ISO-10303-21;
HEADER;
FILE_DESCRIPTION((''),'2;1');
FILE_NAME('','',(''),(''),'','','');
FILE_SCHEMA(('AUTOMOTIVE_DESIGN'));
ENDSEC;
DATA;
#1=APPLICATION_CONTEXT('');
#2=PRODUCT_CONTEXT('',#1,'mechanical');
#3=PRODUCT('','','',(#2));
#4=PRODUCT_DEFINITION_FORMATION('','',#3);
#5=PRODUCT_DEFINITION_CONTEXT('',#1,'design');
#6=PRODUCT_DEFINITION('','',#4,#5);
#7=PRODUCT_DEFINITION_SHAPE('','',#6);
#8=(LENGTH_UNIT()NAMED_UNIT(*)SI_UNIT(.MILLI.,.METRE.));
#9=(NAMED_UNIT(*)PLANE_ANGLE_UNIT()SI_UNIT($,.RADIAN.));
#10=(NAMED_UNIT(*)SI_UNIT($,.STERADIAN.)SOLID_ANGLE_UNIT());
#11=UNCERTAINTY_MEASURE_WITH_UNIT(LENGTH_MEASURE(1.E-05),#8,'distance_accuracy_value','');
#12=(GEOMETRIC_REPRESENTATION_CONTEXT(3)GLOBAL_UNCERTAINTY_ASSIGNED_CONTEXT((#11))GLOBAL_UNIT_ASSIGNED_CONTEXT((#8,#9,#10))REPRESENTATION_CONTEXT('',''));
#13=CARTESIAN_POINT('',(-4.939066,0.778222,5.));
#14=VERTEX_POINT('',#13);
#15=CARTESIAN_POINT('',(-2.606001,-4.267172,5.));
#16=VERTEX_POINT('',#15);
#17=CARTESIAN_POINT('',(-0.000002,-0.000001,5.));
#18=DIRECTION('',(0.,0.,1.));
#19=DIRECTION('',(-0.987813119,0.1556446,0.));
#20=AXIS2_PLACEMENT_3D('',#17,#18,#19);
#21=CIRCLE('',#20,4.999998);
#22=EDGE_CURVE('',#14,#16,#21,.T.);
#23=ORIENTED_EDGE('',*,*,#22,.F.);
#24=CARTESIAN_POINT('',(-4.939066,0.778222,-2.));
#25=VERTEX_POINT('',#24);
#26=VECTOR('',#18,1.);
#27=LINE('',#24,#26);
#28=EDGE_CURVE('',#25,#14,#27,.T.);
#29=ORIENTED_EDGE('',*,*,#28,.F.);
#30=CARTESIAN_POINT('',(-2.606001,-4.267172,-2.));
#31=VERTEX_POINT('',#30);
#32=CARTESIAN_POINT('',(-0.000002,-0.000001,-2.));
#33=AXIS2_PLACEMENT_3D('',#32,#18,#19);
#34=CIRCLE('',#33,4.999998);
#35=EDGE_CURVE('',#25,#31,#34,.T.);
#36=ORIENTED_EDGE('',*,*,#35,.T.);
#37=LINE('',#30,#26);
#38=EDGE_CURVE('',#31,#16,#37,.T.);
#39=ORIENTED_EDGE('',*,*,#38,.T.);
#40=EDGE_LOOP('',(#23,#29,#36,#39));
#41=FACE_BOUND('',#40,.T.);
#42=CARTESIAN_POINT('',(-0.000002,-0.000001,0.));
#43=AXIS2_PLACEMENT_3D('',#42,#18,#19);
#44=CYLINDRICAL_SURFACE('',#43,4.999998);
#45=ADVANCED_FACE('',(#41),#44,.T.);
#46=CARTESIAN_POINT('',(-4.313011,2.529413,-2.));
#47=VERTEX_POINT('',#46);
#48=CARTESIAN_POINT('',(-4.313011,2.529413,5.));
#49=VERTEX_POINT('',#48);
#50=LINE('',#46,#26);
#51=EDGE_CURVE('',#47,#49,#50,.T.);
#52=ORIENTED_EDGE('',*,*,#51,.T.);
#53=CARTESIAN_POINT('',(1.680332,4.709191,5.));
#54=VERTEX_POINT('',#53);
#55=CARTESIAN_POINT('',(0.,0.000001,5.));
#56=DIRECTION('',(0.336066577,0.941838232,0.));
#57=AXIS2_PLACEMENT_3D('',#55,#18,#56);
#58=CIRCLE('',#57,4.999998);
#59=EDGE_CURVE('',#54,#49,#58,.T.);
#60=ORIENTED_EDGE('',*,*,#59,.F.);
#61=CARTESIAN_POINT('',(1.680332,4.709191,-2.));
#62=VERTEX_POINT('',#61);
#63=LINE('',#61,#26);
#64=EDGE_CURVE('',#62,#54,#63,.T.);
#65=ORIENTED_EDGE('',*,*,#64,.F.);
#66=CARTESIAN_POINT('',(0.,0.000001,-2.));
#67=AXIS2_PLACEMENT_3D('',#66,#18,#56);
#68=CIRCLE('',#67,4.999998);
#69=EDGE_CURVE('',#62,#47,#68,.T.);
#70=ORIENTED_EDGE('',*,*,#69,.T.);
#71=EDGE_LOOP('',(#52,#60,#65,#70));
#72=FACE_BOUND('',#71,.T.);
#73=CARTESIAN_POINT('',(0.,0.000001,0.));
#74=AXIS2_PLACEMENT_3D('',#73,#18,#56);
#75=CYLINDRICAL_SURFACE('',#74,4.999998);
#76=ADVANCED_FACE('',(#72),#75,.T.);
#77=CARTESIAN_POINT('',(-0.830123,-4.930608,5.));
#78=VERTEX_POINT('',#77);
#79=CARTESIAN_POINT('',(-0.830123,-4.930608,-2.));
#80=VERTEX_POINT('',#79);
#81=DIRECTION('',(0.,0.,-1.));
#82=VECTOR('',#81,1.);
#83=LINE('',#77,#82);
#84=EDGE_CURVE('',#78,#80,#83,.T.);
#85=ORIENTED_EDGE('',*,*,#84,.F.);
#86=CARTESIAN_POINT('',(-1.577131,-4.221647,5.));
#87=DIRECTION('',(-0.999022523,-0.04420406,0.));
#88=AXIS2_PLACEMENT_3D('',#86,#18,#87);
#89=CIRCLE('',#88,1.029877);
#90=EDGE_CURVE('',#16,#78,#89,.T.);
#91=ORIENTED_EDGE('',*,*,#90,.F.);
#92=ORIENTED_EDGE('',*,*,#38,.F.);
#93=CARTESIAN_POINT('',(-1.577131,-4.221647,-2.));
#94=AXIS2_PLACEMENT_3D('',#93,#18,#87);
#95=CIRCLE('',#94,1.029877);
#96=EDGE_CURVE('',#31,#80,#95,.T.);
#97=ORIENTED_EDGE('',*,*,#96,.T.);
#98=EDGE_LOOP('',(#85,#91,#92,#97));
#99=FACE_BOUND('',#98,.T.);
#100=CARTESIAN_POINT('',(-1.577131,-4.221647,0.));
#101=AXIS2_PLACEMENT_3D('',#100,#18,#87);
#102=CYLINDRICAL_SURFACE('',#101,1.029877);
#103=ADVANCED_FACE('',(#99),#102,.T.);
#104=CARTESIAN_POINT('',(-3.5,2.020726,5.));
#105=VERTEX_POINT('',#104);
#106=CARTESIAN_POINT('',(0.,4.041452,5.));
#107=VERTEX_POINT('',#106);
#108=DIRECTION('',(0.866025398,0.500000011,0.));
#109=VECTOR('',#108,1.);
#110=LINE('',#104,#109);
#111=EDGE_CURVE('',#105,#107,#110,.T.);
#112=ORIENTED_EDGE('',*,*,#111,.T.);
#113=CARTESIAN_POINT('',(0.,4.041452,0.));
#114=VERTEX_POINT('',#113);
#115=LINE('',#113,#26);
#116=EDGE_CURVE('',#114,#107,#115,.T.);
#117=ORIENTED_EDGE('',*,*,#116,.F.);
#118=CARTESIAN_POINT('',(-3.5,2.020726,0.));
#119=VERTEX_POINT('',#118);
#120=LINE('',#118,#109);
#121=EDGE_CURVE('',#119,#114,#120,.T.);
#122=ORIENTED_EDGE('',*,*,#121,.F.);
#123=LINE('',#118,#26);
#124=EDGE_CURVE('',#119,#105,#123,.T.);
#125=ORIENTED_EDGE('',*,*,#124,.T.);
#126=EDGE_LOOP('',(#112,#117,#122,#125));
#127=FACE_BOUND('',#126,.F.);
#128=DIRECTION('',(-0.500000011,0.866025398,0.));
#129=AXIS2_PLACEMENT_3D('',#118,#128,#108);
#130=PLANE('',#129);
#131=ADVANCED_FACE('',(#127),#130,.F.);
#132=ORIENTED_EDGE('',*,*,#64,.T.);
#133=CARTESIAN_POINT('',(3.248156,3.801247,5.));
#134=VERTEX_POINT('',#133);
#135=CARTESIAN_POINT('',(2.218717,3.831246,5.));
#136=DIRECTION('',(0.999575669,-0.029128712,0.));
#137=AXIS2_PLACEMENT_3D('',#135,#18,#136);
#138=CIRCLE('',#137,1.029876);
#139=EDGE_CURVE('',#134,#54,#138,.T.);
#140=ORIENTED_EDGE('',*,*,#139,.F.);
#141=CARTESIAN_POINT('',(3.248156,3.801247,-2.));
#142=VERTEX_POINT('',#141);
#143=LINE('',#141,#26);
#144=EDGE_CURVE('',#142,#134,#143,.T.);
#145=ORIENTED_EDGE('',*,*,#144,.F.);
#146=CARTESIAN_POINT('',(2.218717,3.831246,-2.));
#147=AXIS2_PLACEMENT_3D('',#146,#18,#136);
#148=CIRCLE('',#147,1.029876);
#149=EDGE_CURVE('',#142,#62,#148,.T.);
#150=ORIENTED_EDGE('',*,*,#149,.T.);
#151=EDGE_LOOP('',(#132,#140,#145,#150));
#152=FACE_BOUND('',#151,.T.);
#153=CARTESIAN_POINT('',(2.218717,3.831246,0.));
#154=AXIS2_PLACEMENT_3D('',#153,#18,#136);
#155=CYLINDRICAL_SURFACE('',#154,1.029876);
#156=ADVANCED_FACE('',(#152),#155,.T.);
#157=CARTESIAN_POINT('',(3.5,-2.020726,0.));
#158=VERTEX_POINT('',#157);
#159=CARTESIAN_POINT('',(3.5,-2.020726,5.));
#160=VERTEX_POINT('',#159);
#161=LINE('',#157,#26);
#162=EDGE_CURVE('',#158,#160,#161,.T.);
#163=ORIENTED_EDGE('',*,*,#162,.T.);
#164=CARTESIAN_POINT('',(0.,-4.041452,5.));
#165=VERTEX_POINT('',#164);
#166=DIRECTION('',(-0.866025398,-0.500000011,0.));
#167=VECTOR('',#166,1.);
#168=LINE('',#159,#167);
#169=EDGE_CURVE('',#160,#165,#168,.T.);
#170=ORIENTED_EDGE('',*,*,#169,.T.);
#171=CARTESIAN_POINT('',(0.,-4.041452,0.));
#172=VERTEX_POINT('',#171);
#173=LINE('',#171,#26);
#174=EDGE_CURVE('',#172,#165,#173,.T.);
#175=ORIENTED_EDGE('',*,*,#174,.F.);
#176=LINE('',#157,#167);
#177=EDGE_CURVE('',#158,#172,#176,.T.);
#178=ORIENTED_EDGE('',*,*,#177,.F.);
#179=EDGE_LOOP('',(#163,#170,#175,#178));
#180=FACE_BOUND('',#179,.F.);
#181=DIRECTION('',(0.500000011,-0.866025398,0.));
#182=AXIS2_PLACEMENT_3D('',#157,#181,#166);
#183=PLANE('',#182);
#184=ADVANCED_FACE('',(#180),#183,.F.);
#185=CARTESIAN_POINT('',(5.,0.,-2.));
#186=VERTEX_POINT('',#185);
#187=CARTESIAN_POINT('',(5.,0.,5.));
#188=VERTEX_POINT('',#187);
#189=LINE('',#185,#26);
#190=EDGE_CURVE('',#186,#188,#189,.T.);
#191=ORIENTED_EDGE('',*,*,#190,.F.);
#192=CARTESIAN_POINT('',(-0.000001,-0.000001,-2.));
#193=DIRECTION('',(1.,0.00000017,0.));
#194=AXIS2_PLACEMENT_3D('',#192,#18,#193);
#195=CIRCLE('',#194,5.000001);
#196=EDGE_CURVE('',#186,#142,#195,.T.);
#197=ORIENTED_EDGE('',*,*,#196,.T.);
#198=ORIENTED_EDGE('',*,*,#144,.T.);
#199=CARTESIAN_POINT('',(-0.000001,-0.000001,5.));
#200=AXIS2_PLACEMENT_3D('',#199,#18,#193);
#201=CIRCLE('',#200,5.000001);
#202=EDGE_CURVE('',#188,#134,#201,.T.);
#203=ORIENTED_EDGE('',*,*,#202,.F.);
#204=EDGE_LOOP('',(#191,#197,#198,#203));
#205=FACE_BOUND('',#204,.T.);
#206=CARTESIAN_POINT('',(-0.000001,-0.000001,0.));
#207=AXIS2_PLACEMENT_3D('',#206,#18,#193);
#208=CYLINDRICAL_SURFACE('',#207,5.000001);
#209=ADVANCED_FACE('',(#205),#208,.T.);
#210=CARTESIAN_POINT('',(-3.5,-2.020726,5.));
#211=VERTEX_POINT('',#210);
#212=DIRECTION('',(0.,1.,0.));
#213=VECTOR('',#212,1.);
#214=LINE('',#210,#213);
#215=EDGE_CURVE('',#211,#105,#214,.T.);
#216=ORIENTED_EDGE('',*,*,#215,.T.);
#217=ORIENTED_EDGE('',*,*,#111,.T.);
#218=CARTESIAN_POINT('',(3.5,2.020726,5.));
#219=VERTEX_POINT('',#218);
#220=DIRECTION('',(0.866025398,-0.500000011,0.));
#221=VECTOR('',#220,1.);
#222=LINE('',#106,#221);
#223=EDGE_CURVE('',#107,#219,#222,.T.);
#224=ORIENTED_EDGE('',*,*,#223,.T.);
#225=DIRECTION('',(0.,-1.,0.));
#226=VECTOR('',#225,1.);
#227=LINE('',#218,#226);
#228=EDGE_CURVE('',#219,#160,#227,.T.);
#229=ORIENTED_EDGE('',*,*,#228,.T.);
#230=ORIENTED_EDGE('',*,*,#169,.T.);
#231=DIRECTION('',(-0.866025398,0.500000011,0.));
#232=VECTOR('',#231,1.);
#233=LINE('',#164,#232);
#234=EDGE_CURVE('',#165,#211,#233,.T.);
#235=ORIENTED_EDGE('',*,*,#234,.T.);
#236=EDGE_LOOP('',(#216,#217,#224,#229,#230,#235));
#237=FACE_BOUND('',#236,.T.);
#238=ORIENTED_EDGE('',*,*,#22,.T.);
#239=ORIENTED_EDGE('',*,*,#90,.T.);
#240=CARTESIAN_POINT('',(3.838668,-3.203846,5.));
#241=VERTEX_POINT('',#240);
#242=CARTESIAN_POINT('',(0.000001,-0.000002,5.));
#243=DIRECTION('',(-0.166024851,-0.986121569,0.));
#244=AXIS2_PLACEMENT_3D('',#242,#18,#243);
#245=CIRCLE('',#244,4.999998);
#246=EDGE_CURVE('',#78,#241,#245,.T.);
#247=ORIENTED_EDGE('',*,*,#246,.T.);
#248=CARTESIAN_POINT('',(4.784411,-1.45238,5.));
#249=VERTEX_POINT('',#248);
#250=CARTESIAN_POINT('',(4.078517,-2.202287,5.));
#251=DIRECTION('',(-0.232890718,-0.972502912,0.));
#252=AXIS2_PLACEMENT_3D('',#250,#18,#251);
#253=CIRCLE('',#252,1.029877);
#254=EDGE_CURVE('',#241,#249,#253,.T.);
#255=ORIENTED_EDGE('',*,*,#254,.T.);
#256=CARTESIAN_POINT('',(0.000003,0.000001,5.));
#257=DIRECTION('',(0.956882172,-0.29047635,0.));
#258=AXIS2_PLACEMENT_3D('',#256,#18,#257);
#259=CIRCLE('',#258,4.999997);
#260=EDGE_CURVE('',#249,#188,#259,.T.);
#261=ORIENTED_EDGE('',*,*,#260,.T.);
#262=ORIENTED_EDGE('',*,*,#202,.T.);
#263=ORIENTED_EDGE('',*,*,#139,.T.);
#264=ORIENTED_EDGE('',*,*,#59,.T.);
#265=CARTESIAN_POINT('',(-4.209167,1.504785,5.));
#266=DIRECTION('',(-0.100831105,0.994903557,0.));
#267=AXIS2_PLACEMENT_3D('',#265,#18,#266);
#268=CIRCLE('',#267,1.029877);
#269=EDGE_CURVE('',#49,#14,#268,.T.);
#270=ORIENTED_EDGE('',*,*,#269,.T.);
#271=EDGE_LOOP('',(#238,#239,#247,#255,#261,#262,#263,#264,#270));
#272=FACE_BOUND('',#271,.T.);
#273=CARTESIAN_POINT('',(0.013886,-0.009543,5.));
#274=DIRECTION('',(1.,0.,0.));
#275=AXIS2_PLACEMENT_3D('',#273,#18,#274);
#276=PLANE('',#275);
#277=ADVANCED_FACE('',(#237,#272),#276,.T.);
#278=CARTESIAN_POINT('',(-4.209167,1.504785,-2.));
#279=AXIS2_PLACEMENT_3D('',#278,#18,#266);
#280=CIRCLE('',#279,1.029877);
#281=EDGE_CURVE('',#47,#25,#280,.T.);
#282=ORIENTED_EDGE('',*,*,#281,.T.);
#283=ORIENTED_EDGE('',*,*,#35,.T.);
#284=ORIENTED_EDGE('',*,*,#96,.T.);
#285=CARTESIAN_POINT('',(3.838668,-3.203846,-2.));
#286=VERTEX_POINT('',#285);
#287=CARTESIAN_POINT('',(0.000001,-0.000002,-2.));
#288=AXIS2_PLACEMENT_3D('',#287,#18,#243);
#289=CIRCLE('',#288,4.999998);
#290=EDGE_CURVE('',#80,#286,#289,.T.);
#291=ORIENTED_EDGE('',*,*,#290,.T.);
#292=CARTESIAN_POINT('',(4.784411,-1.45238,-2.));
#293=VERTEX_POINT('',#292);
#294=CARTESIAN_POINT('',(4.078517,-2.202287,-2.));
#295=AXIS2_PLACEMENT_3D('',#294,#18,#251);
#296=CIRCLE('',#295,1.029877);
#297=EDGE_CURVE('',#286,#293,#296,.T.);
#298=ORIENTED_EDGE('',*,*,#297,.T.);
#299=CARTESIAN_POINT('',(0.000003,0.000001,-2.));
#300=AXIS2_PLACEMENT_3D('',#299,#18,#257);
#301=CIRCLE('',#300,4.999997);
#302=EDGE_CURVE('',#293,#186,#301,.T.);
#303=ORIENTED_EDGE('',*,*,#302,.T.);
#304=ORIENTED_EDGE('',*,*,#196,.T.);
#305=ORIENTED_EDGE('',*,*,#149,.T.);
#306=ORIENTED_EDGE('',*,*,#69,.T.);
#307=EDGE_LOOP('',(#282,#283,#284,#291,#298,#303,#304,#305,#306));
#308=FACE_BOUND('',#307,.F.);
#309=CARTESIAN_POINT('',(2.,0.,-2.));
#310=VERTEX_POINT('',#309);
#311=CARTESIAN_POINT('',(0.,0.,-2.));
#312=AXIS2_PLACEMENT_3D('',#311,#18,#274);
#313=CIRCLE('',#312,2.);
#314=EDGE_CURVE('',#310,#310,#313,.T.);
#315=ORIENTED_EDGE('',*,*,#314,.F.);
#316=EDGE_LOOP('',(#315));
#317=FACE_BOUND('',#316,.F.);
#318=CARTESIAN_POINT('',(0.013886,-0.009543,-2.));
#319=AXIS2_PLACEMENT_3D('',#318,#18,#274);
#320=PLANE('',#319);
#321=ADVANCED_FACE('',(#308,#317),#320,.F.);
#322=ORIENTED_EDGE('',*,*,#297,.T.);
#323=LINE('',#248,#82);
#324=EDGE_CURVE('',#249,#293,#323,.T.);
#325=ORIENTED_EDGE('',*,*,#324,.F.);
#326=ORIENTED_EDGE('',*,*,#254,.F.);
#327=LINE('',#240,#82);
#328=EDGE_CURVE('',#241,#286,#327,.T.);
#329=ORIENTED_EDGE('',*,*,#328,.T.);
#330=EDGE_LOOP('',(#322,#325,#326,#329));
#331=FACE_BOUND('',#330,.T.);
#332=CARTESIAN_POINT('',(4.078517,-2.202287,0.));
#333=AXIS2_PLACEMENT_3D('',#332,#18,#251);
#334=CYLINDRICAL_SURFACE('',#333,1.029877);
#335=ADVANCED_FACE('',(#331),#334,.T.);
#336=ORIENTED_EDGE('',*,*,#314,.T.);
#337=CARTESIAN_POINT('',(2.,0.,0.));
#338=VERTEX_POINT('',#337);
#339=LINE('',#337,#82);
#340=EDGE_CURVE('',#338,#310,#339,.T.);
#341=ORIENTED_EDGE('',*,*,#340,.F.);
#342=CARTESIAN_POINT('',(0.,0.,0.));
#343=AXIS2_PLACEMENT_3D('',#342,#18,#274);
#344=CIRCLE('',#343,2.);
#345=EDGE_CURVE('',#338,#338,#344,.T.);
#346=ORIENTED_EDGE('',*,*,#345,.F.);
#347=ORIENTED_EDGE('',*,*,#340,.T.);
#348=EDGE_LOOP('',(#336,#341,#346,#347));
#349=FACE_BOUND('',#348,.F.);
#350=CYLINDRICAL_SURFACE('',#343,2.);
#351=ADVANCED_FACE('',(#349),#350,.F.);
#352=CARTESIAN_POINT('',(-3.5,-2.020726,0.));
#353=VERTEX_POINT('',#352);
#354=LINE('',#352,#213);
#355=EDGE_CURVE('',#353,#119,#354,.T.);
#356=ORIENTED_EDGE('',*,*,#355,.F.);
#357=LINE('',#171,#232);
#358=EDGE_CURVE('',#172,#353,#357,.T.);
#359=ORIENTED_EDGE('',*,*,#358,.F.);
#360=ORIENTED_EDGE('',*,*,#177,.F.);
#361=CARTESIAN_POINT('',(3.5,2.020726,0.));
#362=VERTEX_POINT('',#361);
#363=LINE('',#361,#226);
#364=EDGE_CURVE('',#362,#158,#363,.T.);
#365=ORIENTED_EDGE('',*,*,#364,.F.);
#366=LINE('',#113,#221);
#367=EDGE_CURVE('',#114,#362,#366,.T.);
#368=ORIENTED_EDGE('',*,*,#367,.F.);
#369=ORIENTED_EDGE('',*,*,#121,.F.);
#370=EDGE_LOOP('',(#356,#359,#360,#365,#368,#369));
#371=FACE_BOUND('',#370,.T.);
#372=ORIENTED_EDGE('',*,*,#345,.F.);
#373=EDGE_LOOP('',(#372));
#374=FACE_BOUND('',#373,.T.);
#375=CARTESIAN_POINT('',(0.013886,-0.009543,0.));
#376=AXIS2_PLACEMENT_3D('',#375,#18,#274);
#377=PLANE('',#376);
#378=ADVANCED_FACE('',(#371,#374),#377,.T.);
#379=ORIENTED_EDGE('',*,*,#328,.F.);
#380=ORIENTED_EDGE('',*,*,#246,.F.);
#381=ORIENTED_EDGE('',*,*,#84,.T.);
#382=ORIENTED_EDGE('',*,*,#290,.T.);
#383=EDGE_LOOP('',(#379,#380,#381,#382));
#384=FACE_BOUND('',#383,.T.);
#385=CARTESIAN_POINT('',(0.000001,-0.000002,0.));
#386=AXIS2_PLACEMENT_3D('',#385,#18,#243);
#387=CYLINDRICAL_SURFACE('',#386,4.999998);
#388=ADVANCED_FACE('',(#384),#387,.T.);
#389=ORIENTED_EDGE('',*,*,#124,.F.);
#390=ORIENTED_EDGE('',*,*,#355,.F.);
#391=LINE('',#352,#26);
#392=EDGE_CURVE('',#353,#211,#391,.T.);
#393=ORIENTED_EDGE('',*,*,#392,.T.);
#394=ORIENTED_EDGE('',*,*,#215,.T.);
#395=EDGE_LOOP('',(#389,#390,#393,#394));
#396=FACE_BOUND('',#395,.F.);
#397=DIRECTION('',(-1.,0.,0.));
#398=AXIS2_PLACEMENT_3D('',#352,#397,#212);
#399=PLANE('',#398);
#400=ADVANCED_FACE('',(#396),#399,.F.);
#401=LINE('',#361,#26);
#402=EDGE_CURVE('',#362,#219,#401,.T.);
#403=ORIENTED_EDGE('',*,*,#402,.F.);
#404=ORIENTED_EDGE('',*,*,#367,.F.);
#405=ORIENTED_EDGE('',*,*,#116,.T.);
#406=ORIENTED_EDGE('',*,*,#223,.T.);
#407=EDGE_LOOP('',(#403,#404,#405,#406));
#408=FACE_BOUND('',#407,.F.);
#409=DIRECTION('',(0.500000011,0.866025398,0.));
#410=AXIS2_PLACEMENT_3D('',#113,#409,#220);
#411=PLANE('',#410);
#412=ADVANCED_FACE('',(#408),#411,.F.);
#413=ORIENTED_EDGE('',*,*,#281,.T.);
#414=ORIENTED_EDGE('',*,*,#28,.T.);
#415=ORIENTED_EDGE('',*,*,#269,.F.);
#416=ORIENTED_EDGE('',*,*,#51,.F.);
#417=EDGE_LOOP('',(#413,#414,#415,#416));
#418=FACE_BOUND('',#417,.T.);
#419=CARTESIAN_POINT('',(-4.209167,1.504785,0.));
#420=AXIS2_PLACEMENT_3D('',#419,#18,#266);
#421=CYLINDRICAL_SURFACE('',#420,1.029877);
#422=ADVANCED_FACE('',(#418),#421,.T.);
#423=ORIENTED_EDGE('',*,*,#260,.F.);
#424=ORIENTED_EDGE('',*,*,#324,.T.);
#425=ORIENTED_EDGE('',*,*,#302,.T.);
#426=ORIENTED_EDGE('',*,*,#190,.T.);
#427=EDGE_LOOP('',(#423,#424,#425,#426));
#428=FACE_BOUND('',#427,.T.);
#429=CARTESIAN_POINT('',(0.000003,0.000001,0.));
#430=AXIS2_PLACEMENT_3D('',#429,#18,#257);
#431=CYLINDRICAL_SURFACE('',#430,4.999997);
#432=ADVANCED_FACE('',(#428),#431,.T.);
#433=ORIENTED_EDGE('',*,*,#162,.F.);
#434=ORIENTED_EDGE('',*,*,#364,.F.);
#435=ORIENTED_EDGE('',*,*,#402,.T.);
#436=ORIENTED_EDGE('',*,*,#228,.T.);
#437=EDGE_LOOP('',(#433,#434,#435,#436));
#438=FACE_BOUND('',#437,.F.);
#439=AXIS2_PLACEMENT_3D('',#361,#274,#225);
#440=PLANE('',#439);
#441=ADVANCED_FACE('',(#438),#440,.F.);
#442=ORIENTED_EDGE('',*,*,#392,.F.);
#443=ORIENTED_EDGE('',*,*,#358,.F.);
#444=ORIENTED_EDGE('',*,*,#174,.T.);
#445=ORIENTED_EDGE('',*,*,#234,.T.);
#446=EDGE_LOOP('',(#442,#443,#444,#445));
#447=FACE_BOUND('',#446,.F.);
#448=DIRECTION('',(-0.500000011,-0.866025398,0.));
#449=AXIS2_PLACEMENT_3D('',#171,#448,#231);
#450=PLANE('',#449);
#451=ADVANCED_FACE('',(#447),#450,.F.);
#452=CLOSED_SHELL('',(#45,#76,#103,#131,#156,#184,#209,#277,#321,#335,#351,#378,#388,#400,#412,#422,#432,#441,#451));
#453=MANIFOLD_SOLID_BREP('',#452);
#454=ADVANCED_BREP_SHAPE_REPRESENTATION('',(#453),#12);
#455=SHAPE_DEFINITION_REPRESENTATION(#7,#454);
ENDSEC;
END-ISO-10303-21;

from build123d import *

# Parameters (mm, degrees)
F1_DEPTH = 5
F0_R     = 2
F2_DEPTH = 2


with BuildPart() as f1:
    # F0 (on Top) → F1 (new body)
    with BuildSketch(Plane.XY):
        with BuildLine():
            ThreePointArc((4.784411, -1.45238), (4.945809, -0.734147), (5, 0))
            ThreePointArc((5, 0), (4.540968, 2.092751), (3.248156, 3.801247))
            ThreePointArc((3.248156, 3.801247), (2.505712, 4.326824), (1.680332, 4.709191))
            ThreePointArc((1.680332, 4.709191), (-1.708979, 4.698871), (-4.313011, 2.529413))
            ThreePointArc((-4.313011, 2.529413), (-4.708174, 1.683181), (-4.939066, 0.778222))
            ThreePointArc((-4.939066, 0.778222), (-4.538283, -2.098569), (-2.606001, -4.267172))
            ThreePointArc((-2.606001, -4.267172), (-1.749792, -4.683826), (-0.830123, -4.930608))
            ThreePointArc((-0.830123, -4.930608), (1.734435, -4.689535), (3.838668, -3.203846))
            ThreePointArc((3.838668, -3.203846), (4.399578, -2.375651), (4.784411, -1.45238))
        make_face()
        Polygon((-3.5, -2.020726), (-3.5, 2.020726), (0, 4.041452), (3.5, 2.020726), (3.5, -2.020726), (0, -4.041452), align=None, mode=Mode.SUBTRACT)
        with BuildLine():
            ThreePointArc((3.838668, -3.203846), (4.984722, -2.691613), (4.784411, -1.45238))
            ThreePointArc((4.784411, -1.45238), (4.399578, -2.375651), (3.838668, -3.203846))
        make_face()
        with BuildLine():
            ThreePointArc((1.680332, 4.709191), (2.505712, 4.326824), (3.248156, 3.801247))
            ThreePointArc((3.248156, 3.801247), (2.734831, 4.722465), (1.680332, 4.709191))
        make_face()
        with BuildLine():
            ThreePointArc((-4.939066, 0.778222), (-4.708174, 1.683181), (-4.313011, 2.529413))
            ThreePointArc((-4.313011, 2.529413), (-5.178935, 1.851479), (-4.939066, 0.778222))
        make_face()
        with BuildLine():
            ThreePointArc((-2.606001, -4.267172), (-1.937545, -5.1864), (-0.830123, -4.930608))
            ThreePointArc((-0.830123, -4.930608), (-1.749792, -4.683826), (-2.606001, -4.267172))
        make_face()
    extrude(amount=F1_DEPTH)

    # F0 (on Top) → F2 (join)
    with BuildSketch(Plane.XY):
        with BuildLine():
            ThreePointArc((4.784411, -1.45238), (4.945809, -0.734147), (5, 0))
            ThreePointArc((5, 0), (4.540968, 2.092751), (3.248156, 3.801247))
            ThreePointArc((3.248156, 3.801247), (2.505712, 4.326824), (1.680332, 4.709191))
            ThreePointArc((1.680332, 4.709191), (-1.708979, 4.698871), (-4.313011, 2.529413))
            ThreePointArc((-4.313011, 2.529413), (-4.708174, 1.683181), (-4.939066, 0.778222))
            ThreePointArc((-4.939066, 0.778222), (-4.538283, -2.098569), (-2.606001, -4.267172))
            ThreePointArc((-2.606001, -4.267172), (-1.749792, -4.683826), (-0.830123, -4.930608))
            ThreePointArc((-0.830123, -4.930608), (1.734435, -4.689535), (3.838668, -3.203846))
            ThreePointArc((3.838668, -3.203846), (4.399578, -2.375651), (4.784411, -1.45238))
        make_face()
        Polygon((-3.5, -2.020726), (-3.5, 2.020726), (0, 4.041452), (3.5, 2.020726), (3.5, -2.020726), (0, -4.041452), align=None, mode=Mode.SUBTRACT)
        Polygon((0, 4.041452), (-3.5, 2.020726), (-3.5, -2.020726), (0, -4.041452), (3.5, -2.020726), (3.5, 2.020726), align=None)
        Circle(F0_R, mode=Mode.SUBTRACT)
        with BuildLine():
            ThreePointArc((-4.939066, 0.778222), (-4.708174, 1.683181), (-4.313011, 2.529413))
            ThreePointArc((-4.313011, 2.529413), (-5.178935, 1.851479), (-4.939066, 0.778222))
        make_face()
        with BuildLine():
            ThreePointArc((-2.606001, -4.267172), (-1.937545, -5.1864), (-0.830123, -4.930608))
            ThreePointArc((-0.830123, -4.930608), (-1.749792, -4.683826), (-2.606001, -4.267172))
        make_face()
        with BuildLine():
            ThreePointArc((3.838668, -3.203846), (4.984722, -2.691613), (4.784411, -1.45238))
            ThreePointArc((4.784411, -1.45238), (4.399578, -2.375651), (3.838668, -3.203846))
        make_face()
        with BuildLine():
            ThreePointArc((1.680332, 4.709191), (2.505712, 4.326824), (3.248156, 3.801247))
            ThreePointArc((3.248156, 3.801247), (2.734831, 4.722465), (1.680332, 4.709191))
        make_face()
    extrude(amount=-F2_DEPTH)


solid = f1.part
